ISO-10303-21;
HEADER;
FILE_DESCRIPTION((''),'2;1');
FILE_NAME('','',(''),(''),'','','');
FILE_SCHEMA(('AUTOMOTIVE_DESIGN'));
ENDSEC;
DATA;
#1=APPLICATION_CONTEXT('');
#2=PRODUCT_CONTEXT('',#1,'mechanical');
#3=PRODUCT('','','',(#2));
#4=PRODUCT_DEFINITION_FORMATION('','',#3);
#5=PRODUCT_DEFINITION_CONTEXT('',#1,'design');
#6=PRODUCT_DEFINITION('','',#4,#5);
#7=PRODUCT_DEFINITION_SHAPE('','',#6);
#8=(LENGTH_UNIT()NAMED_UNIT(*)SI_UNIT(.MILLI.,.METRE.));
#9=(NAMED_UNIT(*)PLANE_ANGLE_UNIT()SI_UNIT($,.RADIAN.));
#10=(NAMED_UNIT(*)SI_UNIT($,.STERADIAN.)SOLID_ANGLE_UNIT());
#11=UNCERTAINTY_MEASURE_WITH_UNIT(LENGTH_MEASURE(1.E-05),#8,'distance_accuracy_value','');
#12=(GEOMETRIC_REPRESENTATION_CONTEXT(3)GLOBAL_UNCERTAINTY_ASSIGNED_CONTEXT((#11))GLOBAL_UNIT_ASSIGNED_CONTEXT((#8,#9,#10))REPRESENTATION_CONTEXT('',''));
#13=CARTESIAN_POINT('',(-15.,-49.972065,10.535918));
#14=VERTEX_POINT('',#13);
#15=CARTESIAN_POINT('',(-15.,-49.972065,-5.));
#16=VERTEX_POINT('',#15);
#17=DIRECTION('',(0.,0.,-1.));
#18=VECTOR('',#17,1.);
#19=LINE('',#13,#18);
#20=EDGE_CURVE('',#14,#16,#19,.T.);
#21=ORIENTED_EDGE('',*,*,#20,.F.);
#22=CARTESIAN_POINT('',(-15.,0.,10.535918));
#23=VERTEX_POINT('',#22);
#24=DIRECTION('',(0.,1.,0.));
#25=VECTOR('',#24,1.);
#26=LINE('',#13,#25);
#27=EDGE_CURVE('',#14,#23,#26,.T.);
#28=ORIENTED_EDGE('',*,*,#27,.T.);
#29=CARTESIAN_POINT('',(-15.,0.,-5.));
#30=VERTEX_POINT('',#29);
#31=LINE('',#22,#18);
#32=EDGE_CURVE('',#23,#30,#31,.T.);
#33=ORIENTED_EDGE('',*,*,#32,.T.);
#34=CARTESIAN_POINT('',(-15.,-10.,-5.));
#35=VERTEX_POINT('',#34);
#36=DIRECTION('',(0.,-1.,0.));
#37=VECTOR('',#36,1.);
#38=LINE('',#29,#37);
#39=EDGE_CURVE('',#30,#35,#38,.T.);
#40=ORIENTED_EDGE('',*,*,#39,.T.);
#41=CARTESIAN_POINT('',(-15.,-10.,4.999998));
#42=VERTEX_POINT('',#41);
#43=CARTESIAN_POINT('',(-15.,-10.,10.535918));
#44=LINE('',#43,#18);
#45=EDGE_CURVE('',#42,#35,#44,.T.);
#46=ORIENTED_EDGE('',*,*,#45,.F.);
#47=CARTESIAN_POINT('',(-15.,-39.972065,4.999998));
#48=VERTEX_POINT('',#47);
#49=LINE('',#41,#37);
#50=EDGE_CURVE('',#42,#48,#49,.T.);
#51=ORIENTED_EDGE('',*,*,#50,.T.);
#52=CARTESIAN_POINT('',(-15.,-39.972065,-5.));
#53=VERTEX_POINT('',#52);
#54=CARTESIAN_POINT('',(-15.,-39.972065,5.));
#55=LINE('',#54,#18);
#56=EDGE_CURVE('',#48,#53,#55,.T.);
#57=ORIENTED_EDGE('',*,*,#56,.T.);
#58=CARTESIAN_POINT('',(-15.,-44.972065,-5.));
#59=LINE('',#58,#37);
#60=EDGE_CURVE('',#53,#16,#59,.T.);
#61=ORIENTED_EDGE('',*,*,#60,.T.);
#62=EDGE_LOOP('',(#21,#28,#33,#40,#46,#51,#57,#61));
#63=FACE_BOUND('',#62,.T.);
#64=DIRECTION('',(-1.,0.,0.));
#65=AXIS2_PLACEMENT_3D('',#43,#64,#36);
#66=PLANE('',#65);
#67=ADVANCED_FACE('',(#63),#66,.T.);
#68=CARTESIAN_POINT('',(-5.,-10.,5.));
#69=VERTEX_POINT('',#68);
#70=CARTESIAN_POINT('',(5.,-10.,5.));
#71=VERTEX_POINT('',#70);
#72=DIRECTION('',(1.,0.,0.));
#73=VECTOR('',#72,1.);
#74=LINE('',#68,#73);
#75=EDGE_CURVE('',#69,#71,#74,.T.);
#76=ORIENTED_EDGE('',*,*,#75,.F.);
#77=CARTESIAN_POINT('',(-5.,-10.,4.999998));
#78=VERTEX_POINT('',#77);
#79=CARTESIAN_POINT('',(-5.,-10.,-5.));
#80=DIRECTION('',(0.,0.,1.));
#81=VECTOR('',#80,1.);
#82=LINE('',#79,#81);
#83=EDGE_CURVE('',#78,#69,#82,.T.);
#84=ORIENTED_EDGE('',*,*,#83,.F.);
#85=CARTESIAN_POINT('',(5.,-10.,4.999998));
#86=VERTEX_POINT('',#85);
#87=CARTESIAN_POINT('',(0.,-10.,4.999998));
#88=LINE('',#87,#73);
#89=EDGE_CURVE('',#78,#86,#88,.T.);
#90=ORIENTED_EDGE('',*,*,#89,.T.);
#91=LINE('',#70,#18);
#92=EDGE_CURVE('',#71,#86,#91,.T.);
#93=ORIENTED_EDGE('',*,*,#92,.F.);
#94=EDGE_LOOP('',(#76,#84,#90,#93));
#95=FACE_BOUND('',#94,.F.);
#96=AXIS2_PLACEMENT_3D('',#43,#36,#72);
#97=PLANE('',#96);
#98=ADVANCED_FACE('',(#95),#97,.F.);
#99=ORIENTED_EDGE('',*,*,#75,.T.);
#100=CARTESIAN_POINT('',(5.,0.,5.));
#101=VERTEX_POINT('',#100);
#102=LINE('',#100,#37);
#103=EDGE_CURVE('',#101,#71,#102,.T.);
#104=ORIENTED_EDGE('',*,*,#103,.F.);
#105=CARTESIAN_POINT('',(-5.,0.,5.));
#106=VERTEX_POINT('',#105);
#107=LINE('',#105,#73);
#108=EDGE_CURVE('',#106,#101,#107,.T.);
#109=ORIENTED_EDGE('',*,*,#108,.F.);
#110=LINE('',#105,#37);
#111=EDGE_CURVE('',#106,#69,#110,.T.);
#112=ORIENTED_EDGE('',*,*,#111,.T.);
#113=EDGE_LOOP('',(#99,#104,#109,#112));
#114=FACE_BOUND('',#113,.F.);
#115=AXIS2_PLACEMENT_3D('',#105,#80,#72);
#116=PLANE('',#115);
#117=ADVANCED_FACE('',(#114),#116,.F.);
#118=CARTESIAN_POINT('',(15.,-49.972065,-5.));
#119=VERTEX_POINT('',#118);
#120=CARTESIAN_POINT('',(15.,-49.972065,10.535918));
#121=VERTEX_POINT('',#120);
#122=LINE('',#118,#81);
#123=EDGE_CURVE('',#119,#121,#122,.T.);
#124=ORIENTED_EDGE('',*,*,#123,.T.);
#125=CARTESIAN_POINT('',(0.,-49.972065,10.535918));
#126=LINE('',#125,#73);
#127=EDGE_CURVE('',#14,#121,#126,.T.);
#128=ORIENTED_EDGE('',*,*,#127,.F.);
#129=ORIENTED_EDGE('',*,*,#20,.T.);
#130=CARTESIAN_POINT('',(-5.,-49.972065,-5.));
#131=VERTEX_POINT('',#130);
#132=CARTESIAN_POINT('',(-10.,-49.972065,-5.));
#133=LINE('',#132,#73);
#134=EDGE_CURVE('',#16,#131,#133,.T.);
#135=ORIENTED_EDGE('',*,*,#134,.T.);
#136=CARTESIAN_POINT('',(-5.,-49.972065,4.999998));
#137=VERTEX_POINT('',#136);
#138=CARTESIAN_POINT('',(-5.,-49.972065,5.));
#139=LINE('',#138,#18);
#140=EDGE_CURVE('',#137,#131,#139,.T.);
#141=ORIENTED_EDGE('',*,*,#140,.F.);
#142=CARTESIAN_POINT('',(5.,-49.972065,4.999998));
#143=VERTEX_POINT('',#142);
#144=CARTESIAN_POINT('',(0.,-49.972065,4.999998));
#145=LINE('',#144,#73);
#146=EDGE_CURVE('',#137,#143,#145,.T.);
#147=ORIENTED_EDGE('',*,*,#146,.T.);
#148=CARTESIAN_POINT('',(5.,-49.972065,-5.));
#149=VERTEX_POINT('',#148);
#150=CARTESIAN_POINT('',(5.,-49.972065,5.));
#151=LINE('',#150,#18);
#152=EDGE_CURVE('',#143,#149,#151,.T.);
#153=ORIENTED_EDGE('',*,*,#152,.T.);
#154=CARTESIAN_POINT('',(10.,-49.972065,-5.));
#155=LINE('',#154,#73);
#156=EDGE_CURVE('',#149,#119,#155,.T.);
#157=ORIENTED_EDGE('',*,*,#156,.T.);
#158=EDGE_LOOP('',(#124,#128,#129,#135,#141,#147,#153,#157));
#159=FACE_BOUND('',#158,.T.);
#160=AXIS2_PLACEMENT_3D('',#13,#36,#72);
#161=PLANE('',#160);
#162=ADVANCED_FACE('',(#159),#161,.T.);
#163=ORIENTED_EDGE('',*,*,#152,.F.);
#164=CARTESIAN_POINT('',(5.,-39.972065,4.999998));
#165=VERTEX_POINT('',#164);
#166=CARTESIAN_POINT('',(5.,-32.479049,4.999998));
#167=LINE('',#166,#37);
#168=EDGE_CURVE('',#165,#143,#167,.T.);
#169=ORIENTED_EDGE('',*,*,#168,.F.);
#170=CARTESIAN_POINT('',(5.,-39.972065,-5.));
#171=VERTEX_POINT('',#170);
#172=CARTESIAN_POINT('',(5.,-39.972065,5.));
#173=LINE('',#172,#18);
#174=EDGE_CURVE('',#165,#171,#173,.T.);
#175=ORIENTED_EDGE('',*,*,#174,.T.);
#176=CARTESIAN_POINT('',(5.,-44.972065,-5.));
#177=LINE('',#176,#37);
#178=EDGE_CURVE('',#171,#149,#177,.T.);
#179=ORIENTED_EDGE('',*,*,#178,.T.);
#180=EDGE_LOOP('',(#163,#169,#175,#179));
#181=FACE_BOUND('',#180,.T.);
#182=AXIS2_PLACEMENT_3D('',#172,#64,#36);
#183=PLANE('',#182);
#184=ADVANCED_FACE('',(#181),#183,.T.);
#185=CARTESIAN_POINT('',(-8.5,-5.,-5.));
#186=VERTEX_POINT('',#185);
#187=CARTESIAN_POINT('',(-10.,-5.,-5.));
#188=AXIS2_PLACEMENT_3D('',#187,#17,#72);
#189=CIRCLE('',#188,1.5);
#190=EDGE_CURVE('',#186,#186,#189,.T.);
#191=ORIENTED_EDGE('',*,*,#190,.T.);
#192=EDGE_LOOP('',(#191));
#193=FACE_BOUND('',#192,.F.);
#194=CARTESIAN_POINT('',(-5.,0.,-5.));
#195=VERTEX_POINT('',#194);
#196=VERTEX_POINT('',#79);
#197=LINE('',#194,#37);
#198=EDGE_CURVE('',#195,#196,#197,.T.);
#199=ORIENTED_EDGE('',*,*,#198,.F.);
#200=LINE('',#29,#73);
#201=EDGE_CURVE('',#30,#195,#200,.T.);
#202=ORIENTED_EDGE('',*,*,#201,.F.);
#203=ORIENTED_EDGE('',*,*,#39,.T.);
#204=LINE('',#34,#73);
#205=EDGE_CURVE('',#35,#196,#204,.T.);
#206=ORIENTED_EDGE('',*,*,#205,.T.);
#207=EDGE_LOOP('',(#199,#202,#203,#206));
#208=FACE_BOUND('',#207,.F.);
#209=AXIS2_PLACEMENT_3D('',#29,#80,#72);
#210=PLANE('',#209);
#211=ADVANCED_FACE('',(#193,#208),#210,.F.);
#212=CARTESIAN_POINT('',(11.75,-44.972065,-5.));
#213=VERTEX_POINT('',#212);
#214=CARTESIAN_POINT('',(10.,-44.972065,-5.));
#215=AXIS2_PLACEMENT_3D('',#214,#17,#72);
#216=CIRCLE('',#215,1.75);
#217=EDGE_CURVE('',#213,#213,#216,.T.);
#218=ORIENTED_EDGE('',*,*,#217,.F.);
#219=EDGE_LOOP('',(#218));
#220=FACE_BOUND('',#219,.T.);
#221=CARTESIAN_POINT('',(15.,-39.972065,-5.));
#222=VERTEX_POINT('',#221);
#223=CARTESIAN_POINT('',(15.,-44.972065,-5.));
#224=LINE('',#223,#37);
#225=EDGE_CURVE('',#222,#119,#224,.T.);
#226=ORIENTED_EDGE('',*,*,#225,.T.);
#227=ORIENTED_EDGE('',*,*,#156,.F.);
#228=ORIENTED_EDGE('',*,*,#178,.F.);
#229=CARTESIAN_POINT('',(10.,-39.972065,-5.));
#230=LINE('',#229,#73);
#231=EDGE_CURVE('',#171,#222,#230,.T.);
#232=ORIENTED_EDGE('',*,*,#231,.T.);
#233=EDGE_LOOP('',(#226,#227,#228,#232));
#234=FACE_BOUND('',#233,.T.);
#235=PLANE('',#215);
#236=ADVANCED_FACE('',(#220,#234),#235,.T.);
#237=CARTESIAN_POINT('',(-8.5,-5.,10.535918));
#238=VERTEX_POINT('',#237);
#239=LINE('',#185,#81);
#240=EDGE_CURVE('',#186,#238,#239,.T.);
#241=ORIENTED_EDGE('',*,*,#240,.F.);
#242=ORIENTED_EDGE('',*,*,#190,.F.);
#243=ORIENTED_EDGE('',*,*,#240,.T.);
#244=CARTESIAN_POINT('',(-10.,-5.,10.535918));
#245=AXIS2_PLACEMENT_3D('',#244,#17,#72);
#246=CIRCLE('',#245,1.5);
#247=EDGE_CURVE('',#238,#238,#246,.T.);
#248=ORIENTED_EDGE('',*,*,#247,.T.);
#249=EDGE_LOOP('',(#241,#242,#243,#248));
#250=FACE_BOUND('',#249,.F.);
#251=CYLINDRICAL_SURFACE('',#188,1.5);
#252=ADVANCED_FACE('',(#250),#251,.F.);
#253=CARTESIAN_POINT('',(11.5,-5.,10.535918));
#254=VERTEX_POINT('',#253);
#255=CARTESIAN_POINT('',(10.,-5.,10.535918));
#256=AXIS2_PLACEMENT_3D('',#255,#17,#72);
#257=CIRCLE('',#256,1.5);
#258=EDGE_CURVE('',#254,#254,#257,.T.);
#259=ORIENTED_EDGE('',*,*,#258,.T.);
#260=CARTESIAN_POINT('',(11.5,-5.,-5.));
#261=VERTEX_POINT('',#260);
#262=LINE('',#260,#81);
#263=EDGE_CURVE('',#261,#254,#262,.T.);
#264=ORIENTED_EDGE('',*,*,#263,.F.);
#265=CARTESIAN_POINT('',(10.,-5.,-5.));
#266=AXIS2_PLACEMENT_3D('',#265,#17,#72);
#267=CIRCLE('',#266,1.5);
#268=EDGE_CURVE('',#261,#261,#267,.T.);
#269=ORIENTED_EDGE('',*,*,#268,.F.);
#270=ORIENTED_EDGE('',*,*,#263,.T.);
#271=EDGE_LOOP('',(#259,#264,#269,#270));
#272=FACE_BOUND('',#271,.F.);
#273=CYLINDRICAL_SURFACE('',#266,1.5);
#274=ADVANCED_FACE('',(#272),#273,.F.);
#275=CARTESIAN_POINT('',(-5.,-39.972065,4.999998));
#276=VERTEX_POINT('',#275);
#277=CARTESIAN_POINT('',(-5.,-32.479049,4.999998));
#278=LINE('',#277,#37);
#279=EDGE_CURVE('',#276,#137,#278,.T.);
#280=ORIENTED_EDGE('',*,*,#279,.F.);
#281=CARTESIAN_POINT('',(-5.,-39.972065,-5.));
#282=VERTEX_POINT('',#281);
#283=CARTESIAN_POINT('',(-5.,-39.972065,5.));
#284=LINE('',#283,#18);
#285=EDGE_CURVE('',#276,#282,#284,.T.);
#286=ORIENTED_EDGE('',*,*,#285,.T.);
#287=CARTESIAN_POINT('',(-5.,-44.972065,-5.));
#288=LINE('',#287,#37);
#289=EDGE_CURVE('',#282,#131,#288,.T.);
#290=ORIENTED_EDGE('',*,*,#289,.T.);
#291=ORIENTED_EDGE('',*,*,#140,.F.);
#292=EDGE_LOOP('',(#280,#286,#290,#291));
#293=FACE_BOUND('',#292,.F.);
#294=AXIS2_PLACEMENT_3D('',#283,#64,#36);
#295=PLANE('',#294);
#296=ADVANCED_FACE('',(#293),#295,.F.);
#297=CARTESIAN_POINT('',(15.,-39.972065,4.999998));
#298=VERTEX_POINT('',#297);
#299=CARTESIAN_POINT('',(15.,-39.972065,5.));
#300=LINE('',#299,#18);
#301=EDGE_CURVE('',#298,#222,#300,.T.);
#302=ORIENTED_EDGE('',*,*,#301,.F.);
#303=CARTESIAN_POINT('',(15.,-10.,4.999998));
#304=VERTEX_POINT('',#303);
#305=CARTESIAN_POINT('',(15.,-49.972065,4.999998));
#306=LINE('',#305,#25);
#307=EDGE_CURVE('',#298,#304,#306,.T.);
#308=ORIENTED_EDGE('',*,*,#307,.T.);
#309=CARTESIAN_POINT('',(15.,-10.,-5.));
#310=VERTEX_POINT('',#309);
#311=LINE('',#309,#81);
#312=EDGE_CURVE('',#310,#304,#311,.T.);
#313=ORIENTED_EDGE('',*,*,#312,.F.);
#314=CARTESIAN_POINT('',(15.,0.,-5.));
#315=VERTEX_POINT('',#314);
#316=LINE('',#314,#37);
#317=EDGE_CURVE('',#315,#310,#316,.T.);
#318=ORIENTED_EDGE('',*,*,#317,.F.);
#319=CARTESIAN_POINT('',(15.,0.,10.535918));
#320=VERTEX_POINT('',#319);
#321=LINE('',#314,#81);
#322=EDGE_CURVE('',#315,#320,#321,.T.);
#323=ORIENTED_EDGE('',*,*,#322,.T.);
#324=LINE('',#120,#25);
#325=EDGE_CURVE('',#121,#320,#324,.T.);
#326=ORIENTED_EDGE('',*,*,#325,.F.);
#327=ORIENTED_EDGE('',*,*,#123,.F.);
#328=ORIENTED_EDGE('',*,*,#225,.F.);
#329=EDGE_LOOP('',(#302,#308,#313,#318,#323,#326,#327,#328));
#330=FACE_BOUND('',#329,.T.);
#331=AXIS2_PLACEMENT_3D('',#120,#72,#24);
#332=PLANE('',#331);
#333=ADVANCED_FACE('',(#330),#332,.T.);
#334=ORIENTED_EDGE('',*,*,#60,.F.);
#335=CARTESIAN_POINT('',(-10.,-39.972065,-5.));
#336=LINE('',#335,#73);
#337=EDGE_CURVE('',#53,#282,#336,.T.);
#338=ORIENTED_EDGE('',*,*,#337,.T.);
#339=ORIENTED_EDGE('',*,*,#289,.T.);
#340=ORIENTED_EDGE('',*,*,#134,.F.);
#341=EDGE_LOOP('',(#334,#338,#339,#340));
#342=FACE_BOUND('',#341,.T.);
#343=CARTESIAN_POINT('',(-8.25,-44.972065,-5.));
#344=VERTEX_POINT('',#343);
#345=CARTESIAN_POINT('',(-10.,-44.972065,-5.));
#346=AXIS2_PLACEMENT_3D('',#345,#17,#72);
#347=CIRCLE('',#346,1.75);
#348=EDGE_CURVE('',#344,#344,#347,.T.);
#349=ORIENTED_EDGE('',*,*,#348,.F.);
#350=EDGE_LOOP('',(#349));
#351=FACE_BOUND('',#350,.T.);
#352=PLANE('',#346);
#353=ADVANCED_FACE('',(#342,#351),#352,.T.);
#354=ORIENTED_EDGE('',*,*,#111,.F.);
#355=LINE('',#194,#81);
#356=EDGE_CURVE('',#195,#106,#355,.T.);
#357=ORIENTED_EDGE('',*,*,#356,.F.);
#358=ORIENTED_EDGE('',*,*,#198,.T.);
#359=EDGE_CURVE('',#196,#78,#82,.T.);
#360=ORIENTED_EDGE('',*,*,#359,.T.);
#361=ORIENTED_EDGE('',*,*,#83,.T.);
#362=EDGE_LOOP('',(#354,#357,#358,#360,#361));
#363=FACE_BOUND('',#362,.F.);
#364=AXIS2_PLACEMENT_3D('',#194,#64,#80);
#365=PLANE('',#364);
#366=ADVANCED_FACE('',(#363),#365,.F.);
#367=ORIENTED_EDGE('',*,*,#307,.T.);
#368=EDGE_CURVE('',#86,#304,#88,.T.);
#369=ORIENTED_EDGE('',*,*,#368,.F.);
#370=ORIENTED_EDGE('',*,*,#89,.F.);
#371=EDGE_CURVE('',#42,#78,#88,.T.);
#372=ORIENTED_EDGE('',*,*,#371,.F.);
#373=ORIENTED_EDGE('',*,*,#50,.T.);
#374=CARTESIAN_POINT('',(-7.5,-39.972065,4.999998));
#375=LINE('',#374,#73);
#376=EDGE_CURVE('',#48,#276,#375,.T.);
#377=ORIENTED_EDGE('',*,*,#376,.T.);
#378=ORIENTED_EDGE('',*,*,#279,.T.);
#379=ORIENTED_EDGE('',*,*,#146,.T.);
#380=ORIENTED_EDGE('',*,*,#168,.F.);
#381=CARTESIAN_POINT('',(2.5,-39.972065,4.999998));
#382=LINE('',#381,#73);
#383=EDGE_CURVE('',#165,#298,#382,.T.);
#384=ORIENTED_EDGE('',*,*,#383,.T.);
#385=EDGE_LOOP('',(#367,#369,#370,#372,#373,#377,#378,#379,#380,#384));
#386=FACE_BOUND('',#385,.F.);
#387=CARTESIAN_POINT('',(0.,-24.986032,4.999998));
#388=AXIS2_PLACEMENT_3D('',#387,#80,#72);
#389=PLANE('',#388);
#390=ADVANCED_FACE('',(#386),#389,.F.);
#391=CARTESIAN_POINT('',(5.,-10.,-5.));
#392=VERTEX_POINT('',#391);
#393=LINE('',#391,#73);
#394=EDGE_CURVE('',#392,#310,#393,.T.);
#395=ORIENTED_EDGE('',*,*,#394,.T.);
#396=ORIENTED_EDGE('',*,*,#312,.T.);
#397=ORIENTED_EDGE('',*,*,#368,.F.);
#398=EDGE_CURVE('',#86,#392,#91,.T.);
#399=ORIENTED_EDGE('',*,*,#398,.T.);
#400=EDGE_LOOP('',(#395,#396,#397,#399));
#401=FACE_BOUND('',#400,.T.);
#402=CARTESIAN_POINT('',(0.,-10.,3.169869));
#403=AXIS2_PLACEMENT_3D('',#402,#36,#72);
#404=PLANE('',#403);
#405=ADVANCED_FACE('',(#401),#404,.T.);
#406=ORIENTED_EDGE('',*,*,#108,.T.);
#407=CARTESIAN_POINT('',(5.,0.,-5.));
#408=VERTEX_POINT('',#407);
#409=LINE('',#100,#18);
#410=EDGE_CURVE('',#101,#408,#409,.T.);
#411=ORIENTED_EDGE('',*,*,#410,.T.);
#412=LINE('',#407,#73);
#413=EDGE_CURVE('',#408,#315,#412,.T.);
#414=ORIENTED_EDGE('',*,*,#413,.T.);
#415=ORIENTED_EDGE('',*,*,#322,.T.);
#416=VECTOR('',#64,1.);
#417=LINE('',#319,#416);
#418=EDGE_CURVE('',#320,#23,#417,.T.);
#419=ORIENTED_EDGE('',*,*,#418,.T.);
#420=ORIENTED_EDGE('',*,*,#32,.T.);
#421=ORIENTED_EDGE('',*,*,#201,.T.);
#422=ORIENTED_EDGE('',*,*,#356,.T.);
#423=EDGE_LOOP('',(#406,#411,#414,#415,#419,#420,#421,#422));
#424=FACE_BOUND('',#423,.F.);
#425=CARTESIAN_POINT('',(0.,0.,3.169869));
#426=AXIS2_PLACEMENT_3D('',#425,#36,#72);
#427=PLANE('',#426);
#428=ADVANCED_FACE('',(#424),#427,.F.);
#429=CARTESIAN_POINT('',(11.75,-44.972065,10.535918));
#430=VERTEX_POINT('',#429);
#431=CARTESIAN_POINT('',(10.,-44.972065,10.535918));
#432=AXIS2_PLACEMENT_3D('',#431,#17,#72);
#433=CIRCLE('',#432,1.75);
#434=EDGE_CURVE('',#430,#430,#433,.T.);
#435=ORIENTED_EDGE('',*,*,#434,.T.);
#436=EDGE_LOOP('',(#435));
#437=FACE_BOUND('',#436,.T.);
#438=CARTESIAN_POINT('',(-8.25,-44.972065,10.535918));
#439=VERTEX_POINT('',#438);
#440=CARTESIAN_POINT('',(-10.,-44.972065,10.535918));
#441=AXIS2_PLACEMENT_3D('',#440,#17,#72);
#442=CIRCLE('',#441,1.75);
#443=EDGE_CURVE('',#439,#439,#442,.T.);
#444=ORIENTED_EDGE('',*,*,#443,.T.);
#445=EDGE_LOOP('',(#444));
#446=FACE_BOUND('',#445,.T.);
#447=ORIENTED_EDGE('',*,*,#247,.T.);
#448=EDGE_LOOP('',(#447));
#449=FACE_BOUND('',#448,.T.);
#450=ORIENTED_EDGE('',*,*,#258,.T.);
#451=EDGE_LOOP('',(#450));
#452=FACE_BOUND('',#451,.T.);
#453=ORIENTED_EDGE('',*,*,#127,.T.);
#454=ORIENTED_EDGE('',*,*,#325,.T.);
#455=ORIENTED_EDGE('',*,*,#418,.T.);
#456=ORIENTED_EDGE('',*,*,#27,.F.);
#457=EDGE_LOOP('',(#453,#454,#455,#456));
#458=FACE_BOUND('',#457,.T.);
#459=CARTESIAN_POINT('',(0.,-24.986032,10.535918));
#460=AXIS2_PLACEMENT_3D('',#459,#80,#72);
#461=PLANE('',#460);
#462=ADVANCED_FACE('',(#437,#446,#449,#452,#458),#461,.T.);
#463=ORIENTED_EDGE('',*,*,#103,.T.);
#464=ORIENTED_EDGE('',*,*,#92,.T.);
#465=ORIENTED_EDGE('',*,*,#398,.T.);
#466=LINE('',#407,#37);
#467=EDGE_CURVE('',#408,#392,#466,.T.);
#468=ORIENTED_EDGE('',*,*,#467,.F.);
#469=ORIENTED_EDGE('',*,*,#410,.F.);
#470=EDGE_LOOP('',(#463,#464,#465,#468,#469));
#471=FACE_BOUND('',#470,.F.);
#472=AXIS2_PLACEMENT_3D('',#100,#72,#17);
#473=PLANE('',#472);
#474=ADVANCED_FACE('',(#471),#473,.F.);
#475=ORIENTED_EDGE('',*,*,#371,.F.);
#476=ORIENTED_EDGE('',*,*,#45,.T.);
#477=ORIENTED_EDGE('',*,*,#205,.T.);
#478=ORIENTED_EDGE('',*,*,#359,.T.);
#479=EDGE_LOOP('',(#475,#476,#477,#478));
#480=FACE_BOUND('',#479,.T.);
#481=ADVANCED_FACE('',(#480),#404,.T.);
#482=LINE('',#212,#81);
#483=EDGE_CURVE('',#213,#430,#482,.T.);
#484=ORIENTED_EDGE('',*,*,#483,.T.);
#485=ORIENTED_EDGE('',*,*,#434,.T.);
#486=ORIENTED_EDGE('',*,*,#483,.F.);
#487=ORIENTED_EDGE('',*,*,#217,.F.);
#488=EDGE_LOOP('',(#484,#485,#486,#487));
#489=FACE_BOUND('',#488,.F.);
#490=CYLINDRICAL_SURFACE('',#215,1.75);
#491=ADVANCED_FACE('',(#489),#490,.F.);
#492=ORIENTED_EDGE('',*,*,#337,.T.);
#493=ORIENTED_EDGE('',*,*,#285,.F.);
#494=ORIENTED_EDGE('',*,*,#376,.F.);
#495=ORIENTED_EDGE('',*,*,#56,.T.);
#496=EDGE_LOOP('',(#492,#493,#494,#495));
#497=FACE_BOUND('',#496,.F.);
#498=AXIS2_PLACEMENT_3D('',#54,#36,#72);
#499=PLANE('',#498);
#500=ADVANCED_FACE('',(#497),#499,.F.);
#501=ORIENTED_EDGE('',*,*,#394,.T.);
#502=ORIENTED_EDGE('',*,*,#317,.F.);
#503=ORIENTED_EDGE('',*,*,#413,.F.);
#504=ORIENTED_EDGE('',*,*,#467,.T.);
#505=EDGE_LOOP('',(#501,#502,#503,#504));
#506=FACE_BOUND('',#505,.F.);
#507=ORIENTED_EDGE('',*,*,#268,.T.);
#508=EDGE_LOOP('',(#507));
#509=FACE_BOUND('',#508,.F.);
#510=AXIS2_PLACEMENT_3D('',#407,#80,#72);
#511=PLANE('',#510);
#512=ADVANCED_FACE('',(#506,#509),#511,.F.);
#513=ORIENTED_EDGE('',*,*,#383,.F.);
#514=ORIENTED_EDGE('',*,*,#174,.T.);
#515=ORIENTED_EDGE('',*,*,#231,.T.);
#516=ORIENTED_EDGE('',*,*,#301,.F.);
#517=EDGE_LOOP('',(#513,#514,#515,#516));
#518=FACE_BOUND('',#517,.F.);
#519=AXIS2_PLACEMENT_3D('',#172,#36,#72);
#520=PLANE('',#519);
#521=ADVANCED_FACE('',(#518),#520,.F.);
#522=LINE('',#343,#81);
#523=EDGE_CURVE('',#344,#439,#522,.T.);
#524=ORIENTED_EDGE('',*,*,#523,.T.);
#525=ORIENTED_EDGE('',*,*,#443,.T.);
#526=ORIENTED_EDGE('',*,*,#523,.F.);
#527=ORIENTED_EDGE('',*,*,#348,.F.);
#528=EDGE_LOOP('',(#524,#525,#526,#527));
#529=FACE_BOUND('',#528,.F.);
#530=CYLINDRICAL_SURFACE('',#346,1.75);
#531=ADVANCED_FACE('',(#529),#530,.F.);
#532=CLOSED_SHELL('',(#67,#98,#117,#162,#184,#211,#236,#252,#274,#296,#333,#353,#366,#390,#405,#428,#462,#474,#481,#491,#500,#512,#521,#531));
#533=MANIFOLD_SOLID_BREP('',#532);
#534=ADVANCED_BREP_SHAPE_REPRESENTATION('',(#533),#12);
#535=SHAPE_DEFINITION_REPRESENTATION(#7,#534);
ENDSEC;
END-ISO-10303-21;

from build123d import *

# Parameters (mm, degrees)
F1_DEPTH  = 10
F2_R      = 1.5
F3_DEPTH  = 16
F5_W      = 30
F5_H      = 29.9720647931
F5_H_2    = 10
F5_R      = 1.5
F6_DEPTH  = 5.53592
F7_W      = 10
F7_H      = 10
F8_DEPTH  = 10
F9_R      = 1.75
F10_DEPTH = 25


with BuildPart() as f1:
    # F0 (on Front) → F1 (new body)
    with BuildSketch(Plane.XZ):
        Polygon((-5, 5), (5, 5), (5, -5), (15, -5), (15, 5), (15, 7.7369394712), (15, 10.5359181762), (10.6142175943, 10.5359181762), (0, 10.5359181762), (-10.6142175943, 10.5359181762), (-15, 10.5359181762), (-15, 7.7369394712), (-15, 5), (-15, -5), (-5, -5), align=None)
    extrude(amount=F1_DEPTH)

    # F2 (on face) → F3 (cut)
    with BuildSketch(Plane(origin=(0, 0, -5), x_dir=(1, 0, 0), z_dir=(0, 0, -1))):
        with Locations((10, 5)):
            Circle(F2_R)
        with Locations((-10, 5)):
            Circle(F2_R)
    extrude(amount=-F3_DEPTH, mode=Mode.SUBTRACT)

    # F5 (on face) → F6 (join)
    with BuildSketch(Plane.XY.offset(10.5359181762)):
        with Locations((0, -24.9860323966)):
            Rectangle(F5_W, F5_H)
        with Locations((0, -44.9720647931)):
            Rectangle(F5_W, F5_H_2)
        with Locations((-10, -44.9720647931)):
            Circle(F5_R, mode=Mode.SUBTRACT)
        with Locations((10, -44.9720647931)):
            Circle(F5_R, mode=Mode.SUBTRACT)
    extrude(amount=-F6_DEPTH)

    # F7 (on face) → F8 (join)
    with BuildSketch(Plane(origin=(0, 0, 5), x_dir=(1, 0, 0), z_dir=(0, 0, -1))):
        with Locations((10, 44.9720647931)):
            Rectangle(F7_W, F7_H)
        with Locations((-10, 44.9720647931)):
            Rectangle(F7_W, F7_H)
    extrude(amount=F8_DEPTH)

    # F9 (on face) → F10 (cut)
    with BuildSketch(Plane(origin=(0, 0, -5), x_dir=(1, 0, 0), z_dir=(0, 0, -1))):
        with Locations((-10, 44.9720647931)):
            Circle(F9_R)
        with Locations((10, 44.9720647931)):
            Circle(F9_R)
    extrude(amount=-F10_DEPTH, mode=Mode.SUBTRACT)


solid = f1.part
